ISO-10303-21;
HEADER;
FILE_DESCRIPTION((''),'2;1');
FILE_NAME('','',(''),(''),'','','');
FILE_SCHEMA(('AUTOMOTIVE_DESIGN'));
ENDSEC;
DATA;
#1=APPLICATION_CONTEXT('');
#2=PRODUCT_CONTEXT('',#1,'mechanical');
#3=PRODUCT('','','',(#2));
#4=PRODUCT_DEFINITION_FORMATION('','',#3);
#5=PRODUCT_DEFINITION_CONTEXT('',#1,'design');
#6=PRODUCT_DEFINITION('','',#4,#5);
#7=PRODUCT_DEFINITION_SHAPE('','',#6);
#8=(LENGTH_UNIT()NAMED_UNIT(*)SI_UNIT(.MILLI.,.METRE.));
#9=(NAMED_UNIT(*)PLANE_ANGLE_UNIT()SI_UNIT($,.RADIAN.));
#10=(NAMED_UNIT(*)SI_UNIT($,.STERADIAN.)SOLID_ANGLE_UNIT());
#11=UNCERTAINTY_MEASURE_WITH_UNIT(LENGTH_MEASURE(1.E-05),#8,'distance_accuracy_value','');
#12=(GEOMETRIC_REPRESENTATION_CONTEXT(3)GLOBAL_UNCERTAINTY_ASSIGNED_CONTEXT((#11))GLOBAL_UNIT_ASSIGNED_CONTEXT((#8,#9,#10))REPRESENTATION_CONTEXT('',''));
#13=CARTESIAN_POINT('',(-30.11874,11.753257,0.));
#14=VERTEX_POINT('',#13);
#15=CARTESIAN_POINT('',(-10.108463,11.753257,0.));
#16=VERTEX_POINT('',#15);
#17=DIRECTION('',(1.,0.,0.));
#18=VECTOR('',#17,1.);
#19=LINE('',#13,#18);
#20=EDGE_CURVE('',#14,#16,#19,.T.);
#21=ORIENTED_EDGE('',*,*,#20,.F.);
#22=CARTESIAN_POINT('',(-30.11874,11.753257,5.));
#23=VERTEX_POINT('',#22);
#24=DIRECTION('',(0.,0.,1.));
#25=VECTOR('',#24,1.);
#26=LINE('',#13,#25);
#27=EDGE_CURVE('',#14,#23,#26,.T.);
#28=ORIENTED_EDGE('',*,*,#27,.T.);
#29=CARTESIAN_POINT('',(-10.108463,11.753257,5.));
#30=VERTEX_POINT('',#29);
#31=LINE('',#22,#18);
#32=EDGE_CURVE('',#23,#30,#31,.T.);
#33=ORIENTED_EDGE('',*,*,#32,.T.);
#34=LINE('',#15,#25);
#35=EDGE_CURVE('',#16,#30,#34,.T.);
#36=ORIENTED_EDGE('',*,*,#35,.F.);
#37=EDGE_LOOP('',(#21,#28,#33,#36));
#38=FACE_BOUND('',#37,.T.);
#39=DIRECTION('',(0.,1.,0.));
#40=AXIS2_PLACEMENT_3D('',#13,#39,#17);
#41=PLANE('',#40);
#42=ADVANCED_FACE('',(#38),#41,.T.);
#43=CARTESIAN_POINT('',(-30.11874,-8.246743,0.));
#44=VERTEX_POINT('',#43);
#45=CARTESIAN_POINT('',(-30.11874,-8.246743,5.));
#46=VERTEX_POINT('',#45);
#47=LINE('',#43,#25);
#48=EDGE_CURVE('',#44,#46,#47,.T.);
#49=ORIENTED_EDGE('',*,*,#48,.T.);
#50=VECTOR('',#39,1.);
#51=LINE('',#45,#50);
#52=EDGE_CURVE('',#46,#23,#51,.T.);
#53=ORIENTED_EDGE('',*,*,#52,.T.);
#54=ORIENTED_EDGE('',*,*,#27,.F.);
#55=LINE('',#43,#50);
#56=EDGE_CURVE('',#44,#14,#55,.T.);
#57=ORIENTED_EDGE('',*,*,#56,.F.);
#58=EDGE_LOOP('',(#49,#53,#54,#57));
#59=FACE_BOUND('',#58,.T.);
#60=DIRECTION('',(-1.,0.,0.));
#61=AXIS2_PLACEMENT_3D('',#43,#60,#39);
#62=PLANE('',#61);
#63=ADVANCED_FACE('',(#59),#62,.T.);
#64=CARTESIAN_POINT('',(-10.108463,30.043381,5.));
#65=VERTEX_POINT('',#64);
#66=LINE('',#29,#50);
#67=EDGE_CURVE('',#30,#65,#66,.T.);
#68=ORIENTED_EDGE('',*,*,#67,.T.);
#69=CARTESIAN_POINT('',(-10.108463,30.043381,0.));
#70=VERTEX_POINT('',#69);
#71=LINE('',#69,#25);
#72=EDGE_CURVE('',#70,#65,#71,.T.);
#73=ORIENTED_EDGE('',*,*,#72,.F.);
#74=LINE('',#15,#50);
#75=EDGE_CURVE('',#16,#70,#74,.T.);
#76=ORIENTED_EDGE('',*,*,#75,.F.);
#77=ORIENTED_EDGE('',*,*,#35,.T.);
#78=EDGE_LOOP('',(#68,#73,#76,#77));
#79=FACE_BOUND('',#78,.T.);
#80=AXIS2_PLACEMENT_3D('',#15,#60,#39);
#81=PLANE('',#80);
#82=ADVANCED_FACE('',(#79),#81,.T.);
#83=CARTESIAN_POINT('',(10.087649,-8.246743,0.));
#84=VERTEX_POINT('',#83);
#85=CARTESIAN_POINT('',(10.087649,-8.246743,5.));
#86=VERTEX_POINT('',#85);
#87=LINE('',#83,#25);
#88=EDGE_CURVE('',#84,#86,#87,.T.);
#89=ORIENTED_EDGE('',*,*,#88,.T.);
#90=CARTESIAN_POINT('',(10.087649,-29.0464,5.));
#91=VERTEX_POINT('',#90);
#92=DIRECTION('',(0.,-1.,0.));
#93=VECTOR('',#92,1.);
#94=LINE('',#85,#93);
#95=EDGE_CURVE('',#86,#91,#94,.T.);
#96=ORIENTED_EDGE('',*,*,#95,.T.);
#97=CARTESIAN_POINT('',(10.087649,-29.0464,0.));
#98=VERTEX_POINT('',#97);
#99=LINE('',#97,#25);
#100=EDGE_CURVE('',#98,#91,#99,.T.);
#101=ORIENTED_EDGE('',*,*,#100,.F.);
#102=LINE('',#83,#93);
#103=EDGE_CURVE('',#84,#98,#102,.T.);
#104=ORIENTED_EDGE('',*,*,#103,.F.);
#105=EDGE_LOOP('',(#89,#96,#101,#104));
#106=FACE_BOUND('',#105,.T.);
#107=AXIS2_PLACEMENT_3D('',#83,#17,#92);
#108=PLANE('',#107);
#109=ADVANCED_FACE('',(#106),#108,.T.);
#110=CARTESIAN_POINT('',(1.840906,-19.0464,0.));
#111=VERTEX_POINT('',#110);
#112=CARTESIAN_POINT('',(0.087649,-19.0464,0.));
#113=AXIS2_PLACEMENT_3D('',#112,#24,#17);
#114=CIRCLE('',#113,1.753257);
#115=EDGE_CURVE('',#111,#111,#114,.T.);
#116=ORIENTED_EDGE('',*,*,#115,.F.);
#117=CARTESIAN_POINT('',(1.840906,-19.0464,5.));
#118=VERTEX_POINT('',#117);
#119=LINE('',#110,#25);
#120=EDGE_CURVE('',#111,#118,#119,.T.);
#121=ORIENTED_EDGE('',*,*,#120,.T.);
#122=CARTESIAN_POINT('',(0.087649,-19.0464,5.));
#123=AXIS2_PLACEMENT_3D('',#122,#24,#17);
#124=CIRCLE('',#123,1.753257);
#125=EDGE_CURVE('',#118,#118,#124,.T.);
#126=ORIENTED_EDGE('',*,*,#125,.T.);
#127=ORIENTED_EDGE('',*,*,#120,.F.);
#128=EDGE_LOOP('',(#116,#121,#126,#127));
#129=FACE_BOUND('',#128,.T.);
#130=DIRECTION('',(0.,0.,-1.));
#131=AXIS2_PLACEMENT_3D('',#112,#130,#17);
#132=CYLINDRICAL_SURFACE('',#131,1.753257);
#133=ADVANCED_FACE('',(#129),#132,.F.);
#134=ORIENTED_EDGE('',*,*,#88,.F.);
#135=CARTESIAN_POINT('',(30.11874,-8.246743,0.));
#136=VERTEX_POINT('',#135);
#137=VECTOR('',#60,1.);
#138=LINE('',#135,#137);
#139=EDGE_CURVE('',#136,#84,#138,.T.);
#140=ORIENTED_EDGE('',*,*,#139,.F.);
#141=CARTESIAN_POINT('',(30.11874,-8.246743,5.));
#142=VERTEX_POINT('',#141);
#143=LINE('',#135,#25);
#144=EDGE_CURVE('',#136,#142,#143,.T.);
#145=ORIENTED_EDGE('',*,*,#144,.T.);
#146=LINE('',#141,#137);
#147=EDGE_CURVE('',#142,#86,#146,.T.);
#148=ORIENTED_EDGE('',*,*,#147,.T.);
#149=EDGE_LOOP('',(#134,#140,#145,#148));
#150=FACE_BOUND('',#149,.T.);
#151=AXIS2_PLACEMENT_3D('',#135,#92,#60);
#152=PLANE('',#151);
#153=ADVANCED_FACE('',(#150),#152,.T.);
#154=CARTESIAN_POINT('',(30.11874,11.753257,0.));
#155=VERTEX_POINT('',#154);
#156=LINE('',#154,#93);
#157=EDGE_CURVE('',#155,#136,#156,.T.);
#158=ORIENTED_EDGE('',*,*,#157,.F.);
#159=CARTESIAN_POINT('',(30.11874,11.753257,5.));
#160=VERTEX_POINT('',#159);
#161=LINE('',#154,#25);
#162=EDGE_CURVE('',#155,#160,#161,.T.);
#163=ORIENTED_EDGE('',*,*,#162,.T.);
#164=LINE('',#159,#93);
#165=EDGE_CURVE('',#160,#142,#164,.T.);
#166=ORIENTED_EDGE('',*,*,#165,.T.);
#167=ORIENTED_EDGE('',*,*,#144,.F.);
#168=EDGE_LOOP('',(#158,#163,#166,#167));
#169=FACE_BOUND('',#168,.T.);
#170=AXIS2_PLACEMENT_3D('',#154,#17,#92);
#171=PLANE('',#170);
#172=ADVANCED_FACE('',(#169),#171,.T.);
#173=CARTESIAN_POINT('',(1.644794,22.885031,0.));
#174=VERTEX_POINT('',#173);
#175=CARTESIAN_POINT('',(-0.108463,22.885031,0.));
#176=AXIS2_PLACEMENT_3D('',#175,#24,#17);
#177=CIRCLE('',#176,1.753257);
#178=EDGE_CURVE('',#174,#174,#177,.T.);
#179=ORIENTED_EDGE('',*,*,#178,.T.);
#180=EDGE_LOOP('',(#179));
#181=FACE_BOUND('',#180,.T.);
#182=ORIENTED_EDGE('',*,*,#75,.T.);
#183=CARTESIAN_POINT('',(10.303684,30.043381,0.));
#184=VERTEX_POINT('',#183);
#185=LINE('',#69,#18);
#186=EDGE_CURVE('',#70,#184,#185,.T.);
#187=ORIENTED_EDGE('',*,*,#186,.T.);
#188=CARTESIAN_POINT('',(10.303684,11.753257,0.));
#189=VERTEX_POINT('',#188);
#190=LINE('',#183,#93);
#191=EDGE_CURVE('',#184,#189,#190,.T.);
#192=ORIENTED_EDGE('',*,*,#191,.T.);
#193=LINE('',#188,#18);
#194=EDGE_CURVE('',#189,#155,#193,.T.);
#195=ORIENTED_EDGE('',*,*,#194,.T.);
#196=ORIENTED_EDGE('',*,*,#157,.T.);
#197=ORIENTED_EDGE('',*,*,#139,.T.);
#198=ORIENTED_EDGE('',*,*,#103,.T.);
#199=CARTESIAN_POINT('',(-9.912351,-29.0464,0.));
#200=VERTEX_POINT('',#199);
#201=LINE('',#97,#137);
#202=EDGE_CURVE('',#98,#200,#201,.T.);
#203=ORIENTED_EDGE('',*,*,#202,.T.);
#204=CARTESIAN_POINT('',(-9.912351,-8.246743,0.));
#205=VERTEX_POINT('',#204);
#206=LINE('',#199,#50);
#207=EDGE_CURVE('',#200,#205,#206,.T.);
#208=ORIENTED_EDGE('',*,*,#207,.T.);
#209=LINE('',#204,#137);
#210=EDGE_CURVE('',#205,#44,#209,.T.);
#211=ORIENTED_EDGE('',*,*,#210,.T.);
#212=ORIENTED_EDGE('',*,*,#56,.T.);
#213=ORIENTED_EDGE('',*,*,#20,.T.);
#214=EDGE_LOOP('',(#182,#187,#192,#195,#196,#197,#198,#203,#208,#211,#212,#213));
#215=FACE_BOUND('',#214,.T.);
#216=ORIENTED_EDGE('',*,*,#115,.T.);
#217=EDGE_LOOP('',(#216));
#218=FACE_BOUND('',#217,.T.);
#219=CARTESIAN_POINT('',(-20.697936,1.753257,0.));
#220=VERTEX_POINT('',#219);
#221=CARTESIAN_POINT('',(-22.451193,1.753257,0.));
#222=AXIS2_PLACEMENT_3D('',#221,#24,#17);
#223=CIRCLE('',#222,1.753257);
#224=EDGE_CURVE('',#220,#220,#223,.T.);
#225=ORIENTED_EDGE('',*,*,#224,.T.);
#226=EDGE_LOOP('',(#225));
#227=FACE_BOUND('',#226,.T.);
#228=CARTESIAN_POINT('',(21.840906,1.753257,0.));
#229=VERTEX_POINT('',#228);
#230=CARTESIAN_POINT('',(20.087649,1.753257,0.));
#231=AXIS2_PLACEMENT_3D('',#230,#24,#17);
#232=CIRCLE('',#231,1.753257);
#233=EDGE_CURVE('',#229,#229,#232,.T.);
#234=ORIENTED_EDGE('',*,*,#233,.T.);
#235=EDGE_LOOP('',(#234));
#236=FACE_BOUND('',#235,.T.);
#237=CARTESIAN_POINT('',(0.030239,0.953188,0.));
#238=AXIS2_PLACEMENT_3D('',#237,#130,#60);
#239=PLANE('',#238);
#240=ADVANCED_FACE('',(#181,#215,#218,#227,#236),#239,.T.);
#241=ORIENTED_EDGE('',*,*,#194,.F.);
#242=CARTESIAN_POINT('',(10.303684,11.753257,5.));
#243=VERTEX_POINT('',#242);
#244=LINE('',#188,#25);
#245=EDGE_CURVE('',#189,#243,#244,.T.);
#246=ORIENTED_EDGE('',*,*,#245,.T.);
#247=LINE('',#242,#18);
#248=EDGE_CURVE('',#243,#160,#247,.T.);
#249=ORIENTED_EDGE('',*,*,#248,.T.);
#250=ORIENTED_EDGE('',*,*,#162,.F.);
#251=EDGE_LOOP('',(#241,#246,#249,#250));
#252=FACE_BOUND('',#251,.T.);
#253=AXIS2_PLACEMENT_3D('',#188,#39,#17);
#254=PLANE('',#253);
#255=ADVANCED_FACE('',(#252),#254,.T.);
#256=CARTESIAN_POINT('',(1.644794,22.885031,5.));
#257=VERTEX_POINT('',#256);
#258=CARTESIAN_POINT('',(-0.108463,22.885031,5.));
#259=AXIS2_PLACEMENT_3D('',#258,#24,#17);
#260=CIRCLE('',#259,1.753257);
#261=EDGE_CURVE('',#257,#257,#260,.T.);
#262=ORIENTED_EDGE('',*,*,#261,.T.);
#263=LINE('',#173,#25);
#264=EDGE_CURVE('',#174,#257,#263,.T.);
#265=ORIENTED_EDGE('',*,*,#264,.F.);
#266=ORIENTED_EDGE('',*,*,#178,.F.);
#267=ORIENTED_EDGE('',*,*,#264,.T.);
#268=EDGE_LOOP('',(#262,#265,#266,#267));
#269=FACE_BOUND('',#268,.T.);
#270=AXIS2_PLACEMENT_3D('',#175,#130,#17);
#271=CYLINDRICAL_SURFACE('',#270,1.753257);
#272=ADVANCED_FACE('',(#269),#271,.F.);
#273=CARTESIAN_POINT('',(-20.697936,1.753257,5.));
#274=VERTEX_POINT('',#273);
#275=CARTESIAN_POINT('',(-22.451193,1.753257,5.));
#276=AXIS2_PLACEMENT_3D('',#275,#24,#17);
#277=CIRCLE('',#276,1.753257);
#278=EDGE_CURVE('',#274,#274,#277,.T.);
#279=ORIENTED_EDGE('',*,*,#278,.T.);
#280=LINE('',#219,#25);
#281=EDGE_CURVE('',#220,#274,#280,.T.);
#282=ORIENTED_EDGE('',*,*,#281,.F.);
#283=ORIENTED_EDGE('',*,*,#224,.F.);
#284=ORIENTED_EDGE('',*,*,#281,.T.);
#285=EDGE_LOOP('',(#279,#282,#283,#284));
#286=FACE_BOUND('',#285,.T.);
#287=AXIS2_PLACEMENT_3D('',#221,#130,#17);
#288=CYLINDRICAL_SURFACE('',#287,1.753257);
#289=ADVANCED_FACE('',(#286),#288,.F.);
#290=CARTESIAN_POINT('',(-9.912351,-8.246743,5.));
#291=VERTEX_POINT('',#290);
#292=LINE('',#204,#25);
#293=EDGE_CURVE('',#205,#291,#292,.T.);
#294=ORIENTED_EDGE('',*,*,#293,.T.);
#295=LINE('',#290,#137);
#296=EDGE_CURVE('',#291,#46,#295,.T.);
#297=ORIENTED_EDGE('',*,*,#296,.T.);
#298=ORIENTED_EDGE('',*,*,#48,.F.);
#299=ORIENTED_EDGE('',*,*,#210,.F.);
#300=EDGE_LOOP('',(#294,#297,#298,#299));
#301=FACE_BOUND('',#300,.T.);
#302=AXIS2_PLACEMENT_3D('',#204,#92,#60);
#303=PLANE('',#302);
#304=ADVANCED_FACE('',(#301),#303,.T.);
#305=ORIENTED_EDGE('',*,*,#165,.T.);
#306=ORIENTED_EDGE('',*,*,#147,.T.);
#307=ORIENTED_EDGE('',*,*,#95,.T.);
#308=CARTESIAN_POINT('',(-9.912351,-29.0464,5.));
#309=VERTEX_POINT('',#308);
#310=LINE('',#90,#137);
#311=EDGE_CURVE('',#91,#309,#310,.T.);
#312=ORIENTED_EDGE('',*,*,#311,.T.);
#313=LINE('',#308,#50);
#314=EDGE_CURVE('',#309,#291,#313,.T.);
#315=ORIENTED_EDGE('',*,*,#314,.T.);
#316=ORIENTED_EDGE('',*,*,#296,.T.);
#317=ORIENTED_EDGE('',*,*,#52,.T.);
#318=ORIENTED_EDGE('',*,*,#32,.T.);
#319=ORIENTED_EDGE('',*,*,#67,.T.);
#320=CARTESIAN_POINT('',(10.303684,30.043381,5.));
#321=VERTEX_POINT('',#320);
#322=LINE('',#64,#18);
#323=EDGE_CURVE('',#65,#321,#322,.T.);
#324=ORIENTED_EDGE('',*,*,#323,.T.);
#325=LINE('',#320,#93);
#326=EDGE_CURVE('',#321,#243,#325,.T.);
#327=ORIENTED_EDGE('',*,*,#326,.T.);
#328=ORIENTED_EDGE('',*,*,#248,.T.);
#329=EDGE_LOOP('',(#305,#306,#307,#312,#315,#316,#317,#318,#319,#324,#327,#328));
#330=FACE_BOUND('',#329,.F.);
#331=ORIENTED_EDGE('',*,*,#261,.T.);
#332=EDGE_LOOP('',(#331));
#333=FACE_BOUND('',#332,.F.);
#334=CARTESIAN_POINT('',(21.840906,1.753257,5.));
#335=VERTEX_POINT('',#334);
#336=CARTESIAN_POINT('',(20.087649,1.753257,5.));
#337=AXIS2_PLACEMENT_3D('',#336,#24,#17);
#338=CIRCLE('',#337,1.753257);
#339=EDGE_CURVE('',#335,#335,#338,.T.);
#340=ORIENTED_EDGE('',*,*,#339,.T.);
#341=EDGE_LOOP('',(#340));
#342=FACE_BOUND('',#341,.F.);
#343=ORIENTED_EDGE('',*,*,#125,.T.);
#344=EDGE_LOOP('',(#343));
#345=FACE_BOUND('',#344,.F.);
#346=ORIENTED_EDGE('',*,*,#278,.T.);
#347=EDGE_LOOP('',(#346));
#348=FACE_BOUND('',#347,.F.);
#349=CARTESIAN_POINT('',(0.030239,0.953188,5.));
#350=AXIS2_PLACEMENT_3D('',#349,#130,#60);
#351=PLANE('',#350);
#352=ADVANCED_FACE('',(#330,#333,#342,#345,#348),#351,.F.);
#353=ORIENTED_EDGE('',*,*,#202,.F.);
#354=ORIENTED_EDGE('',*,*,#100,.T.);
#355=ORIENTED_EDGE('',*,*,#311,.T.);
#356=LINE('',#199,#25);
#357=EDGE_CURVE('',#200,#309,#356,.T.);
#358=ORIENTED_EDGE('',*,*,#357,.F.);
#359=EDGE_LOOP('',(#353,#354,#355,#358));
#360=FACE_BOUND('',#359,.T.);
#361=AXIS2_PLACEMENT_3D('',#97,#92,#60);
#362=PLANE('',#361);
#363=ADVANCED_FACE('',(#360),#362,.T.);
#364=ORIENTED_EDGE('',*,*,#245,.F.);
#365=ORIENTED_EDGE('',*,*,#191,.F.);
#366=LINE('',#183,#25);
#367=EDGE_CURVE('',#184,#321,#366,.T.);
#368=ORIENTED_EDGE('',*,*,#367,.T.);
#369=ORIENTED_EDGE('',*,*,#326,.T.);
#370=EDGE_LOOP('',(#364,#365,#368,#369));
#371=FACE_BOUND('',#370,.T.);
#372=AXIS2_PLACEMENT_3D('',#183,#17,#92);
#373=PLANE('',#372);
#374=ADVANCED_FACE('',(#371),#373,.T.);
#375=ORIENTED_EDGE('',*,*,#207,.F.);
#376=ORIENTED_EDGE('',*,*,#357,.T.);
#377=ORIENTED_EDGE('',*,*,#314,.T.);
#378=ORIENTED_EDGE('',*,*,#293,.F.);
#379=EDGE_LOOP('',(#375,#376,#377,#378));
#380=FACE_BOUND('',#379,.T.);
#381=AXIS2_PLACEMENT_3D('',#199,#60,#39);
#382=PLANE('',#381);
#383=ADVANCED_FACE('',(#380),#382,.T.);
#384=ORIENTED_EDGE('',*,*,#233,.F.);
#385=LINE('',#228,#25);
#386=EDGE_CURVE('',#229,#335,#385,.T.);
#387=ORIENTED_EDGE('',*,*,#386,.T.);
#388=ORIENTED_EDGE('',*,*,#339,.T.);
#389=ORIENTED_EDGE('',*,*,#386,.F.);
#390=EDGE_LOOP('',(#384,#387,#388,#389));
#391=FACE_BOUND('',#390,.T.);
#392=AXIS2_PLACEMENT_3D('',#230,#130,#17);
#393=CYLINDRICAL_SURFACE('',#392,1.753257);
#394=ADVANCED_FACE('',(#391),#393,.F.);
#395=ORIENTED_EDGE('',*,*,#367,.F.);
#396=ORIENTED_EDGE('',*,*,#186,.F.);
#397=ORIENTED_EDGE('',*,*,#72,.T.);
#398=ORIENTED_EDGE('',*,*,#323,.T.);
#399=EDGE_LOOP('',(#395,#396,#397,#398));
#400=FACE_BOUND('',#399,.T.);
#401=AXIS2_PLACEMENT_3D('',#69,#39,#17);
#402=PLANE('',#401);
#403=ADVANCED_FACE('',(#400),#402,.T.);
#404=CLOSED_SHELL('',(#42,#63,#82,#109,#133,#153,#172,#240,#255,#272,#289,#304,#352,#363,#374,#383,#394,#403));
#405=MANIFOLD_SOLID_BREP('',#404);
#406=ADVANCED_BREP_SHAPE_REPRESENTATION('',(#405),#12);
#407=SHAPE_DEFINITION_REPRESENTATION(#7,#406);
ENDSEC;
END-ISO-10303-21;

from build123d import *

# Parameters (mm, degrees)
SKETCH_R  = 1.753257
PAD_DEPTH = 5


with BuildPart() as part:
    # Sketch → Pad (new body)
    with BuildSketch(Plane.XY):
        Polygon((-10.108463, 30.043381), (10.303684, 30.043381), (10.303684, 11.753257), (30.11874, 11.753257), (30.11874, -8.246743), (10.087649, -8.246743), (10.087649, -29.0464), (-9.912351, -29.0464), (-9.912351, -8.246743), (-30.11874, -8.246743), (-30.11874, 11.753257), (-10.108463, 11.753257), align=None)
        with Locations((-0.108463, 22.885031)):
            Circle(SKETCH_R, mode=Mode.SUBTRACT)
        with Locations((20.087649, 1.753257)):
            Circle(SKETCH_R, mode=Mode.SUBTRACT)
        with Locations((0.087649, -19.0464)):
            Circle(SKETCH_R, mode=Mode.SUBTRACT)
        with Locations((-22.451193, 1.753257)):
            Circle(SKETCH_R, mode=Mode.SUBTRACT)
    extrude(amount=PAD_DEPTH)


solid = part.part
